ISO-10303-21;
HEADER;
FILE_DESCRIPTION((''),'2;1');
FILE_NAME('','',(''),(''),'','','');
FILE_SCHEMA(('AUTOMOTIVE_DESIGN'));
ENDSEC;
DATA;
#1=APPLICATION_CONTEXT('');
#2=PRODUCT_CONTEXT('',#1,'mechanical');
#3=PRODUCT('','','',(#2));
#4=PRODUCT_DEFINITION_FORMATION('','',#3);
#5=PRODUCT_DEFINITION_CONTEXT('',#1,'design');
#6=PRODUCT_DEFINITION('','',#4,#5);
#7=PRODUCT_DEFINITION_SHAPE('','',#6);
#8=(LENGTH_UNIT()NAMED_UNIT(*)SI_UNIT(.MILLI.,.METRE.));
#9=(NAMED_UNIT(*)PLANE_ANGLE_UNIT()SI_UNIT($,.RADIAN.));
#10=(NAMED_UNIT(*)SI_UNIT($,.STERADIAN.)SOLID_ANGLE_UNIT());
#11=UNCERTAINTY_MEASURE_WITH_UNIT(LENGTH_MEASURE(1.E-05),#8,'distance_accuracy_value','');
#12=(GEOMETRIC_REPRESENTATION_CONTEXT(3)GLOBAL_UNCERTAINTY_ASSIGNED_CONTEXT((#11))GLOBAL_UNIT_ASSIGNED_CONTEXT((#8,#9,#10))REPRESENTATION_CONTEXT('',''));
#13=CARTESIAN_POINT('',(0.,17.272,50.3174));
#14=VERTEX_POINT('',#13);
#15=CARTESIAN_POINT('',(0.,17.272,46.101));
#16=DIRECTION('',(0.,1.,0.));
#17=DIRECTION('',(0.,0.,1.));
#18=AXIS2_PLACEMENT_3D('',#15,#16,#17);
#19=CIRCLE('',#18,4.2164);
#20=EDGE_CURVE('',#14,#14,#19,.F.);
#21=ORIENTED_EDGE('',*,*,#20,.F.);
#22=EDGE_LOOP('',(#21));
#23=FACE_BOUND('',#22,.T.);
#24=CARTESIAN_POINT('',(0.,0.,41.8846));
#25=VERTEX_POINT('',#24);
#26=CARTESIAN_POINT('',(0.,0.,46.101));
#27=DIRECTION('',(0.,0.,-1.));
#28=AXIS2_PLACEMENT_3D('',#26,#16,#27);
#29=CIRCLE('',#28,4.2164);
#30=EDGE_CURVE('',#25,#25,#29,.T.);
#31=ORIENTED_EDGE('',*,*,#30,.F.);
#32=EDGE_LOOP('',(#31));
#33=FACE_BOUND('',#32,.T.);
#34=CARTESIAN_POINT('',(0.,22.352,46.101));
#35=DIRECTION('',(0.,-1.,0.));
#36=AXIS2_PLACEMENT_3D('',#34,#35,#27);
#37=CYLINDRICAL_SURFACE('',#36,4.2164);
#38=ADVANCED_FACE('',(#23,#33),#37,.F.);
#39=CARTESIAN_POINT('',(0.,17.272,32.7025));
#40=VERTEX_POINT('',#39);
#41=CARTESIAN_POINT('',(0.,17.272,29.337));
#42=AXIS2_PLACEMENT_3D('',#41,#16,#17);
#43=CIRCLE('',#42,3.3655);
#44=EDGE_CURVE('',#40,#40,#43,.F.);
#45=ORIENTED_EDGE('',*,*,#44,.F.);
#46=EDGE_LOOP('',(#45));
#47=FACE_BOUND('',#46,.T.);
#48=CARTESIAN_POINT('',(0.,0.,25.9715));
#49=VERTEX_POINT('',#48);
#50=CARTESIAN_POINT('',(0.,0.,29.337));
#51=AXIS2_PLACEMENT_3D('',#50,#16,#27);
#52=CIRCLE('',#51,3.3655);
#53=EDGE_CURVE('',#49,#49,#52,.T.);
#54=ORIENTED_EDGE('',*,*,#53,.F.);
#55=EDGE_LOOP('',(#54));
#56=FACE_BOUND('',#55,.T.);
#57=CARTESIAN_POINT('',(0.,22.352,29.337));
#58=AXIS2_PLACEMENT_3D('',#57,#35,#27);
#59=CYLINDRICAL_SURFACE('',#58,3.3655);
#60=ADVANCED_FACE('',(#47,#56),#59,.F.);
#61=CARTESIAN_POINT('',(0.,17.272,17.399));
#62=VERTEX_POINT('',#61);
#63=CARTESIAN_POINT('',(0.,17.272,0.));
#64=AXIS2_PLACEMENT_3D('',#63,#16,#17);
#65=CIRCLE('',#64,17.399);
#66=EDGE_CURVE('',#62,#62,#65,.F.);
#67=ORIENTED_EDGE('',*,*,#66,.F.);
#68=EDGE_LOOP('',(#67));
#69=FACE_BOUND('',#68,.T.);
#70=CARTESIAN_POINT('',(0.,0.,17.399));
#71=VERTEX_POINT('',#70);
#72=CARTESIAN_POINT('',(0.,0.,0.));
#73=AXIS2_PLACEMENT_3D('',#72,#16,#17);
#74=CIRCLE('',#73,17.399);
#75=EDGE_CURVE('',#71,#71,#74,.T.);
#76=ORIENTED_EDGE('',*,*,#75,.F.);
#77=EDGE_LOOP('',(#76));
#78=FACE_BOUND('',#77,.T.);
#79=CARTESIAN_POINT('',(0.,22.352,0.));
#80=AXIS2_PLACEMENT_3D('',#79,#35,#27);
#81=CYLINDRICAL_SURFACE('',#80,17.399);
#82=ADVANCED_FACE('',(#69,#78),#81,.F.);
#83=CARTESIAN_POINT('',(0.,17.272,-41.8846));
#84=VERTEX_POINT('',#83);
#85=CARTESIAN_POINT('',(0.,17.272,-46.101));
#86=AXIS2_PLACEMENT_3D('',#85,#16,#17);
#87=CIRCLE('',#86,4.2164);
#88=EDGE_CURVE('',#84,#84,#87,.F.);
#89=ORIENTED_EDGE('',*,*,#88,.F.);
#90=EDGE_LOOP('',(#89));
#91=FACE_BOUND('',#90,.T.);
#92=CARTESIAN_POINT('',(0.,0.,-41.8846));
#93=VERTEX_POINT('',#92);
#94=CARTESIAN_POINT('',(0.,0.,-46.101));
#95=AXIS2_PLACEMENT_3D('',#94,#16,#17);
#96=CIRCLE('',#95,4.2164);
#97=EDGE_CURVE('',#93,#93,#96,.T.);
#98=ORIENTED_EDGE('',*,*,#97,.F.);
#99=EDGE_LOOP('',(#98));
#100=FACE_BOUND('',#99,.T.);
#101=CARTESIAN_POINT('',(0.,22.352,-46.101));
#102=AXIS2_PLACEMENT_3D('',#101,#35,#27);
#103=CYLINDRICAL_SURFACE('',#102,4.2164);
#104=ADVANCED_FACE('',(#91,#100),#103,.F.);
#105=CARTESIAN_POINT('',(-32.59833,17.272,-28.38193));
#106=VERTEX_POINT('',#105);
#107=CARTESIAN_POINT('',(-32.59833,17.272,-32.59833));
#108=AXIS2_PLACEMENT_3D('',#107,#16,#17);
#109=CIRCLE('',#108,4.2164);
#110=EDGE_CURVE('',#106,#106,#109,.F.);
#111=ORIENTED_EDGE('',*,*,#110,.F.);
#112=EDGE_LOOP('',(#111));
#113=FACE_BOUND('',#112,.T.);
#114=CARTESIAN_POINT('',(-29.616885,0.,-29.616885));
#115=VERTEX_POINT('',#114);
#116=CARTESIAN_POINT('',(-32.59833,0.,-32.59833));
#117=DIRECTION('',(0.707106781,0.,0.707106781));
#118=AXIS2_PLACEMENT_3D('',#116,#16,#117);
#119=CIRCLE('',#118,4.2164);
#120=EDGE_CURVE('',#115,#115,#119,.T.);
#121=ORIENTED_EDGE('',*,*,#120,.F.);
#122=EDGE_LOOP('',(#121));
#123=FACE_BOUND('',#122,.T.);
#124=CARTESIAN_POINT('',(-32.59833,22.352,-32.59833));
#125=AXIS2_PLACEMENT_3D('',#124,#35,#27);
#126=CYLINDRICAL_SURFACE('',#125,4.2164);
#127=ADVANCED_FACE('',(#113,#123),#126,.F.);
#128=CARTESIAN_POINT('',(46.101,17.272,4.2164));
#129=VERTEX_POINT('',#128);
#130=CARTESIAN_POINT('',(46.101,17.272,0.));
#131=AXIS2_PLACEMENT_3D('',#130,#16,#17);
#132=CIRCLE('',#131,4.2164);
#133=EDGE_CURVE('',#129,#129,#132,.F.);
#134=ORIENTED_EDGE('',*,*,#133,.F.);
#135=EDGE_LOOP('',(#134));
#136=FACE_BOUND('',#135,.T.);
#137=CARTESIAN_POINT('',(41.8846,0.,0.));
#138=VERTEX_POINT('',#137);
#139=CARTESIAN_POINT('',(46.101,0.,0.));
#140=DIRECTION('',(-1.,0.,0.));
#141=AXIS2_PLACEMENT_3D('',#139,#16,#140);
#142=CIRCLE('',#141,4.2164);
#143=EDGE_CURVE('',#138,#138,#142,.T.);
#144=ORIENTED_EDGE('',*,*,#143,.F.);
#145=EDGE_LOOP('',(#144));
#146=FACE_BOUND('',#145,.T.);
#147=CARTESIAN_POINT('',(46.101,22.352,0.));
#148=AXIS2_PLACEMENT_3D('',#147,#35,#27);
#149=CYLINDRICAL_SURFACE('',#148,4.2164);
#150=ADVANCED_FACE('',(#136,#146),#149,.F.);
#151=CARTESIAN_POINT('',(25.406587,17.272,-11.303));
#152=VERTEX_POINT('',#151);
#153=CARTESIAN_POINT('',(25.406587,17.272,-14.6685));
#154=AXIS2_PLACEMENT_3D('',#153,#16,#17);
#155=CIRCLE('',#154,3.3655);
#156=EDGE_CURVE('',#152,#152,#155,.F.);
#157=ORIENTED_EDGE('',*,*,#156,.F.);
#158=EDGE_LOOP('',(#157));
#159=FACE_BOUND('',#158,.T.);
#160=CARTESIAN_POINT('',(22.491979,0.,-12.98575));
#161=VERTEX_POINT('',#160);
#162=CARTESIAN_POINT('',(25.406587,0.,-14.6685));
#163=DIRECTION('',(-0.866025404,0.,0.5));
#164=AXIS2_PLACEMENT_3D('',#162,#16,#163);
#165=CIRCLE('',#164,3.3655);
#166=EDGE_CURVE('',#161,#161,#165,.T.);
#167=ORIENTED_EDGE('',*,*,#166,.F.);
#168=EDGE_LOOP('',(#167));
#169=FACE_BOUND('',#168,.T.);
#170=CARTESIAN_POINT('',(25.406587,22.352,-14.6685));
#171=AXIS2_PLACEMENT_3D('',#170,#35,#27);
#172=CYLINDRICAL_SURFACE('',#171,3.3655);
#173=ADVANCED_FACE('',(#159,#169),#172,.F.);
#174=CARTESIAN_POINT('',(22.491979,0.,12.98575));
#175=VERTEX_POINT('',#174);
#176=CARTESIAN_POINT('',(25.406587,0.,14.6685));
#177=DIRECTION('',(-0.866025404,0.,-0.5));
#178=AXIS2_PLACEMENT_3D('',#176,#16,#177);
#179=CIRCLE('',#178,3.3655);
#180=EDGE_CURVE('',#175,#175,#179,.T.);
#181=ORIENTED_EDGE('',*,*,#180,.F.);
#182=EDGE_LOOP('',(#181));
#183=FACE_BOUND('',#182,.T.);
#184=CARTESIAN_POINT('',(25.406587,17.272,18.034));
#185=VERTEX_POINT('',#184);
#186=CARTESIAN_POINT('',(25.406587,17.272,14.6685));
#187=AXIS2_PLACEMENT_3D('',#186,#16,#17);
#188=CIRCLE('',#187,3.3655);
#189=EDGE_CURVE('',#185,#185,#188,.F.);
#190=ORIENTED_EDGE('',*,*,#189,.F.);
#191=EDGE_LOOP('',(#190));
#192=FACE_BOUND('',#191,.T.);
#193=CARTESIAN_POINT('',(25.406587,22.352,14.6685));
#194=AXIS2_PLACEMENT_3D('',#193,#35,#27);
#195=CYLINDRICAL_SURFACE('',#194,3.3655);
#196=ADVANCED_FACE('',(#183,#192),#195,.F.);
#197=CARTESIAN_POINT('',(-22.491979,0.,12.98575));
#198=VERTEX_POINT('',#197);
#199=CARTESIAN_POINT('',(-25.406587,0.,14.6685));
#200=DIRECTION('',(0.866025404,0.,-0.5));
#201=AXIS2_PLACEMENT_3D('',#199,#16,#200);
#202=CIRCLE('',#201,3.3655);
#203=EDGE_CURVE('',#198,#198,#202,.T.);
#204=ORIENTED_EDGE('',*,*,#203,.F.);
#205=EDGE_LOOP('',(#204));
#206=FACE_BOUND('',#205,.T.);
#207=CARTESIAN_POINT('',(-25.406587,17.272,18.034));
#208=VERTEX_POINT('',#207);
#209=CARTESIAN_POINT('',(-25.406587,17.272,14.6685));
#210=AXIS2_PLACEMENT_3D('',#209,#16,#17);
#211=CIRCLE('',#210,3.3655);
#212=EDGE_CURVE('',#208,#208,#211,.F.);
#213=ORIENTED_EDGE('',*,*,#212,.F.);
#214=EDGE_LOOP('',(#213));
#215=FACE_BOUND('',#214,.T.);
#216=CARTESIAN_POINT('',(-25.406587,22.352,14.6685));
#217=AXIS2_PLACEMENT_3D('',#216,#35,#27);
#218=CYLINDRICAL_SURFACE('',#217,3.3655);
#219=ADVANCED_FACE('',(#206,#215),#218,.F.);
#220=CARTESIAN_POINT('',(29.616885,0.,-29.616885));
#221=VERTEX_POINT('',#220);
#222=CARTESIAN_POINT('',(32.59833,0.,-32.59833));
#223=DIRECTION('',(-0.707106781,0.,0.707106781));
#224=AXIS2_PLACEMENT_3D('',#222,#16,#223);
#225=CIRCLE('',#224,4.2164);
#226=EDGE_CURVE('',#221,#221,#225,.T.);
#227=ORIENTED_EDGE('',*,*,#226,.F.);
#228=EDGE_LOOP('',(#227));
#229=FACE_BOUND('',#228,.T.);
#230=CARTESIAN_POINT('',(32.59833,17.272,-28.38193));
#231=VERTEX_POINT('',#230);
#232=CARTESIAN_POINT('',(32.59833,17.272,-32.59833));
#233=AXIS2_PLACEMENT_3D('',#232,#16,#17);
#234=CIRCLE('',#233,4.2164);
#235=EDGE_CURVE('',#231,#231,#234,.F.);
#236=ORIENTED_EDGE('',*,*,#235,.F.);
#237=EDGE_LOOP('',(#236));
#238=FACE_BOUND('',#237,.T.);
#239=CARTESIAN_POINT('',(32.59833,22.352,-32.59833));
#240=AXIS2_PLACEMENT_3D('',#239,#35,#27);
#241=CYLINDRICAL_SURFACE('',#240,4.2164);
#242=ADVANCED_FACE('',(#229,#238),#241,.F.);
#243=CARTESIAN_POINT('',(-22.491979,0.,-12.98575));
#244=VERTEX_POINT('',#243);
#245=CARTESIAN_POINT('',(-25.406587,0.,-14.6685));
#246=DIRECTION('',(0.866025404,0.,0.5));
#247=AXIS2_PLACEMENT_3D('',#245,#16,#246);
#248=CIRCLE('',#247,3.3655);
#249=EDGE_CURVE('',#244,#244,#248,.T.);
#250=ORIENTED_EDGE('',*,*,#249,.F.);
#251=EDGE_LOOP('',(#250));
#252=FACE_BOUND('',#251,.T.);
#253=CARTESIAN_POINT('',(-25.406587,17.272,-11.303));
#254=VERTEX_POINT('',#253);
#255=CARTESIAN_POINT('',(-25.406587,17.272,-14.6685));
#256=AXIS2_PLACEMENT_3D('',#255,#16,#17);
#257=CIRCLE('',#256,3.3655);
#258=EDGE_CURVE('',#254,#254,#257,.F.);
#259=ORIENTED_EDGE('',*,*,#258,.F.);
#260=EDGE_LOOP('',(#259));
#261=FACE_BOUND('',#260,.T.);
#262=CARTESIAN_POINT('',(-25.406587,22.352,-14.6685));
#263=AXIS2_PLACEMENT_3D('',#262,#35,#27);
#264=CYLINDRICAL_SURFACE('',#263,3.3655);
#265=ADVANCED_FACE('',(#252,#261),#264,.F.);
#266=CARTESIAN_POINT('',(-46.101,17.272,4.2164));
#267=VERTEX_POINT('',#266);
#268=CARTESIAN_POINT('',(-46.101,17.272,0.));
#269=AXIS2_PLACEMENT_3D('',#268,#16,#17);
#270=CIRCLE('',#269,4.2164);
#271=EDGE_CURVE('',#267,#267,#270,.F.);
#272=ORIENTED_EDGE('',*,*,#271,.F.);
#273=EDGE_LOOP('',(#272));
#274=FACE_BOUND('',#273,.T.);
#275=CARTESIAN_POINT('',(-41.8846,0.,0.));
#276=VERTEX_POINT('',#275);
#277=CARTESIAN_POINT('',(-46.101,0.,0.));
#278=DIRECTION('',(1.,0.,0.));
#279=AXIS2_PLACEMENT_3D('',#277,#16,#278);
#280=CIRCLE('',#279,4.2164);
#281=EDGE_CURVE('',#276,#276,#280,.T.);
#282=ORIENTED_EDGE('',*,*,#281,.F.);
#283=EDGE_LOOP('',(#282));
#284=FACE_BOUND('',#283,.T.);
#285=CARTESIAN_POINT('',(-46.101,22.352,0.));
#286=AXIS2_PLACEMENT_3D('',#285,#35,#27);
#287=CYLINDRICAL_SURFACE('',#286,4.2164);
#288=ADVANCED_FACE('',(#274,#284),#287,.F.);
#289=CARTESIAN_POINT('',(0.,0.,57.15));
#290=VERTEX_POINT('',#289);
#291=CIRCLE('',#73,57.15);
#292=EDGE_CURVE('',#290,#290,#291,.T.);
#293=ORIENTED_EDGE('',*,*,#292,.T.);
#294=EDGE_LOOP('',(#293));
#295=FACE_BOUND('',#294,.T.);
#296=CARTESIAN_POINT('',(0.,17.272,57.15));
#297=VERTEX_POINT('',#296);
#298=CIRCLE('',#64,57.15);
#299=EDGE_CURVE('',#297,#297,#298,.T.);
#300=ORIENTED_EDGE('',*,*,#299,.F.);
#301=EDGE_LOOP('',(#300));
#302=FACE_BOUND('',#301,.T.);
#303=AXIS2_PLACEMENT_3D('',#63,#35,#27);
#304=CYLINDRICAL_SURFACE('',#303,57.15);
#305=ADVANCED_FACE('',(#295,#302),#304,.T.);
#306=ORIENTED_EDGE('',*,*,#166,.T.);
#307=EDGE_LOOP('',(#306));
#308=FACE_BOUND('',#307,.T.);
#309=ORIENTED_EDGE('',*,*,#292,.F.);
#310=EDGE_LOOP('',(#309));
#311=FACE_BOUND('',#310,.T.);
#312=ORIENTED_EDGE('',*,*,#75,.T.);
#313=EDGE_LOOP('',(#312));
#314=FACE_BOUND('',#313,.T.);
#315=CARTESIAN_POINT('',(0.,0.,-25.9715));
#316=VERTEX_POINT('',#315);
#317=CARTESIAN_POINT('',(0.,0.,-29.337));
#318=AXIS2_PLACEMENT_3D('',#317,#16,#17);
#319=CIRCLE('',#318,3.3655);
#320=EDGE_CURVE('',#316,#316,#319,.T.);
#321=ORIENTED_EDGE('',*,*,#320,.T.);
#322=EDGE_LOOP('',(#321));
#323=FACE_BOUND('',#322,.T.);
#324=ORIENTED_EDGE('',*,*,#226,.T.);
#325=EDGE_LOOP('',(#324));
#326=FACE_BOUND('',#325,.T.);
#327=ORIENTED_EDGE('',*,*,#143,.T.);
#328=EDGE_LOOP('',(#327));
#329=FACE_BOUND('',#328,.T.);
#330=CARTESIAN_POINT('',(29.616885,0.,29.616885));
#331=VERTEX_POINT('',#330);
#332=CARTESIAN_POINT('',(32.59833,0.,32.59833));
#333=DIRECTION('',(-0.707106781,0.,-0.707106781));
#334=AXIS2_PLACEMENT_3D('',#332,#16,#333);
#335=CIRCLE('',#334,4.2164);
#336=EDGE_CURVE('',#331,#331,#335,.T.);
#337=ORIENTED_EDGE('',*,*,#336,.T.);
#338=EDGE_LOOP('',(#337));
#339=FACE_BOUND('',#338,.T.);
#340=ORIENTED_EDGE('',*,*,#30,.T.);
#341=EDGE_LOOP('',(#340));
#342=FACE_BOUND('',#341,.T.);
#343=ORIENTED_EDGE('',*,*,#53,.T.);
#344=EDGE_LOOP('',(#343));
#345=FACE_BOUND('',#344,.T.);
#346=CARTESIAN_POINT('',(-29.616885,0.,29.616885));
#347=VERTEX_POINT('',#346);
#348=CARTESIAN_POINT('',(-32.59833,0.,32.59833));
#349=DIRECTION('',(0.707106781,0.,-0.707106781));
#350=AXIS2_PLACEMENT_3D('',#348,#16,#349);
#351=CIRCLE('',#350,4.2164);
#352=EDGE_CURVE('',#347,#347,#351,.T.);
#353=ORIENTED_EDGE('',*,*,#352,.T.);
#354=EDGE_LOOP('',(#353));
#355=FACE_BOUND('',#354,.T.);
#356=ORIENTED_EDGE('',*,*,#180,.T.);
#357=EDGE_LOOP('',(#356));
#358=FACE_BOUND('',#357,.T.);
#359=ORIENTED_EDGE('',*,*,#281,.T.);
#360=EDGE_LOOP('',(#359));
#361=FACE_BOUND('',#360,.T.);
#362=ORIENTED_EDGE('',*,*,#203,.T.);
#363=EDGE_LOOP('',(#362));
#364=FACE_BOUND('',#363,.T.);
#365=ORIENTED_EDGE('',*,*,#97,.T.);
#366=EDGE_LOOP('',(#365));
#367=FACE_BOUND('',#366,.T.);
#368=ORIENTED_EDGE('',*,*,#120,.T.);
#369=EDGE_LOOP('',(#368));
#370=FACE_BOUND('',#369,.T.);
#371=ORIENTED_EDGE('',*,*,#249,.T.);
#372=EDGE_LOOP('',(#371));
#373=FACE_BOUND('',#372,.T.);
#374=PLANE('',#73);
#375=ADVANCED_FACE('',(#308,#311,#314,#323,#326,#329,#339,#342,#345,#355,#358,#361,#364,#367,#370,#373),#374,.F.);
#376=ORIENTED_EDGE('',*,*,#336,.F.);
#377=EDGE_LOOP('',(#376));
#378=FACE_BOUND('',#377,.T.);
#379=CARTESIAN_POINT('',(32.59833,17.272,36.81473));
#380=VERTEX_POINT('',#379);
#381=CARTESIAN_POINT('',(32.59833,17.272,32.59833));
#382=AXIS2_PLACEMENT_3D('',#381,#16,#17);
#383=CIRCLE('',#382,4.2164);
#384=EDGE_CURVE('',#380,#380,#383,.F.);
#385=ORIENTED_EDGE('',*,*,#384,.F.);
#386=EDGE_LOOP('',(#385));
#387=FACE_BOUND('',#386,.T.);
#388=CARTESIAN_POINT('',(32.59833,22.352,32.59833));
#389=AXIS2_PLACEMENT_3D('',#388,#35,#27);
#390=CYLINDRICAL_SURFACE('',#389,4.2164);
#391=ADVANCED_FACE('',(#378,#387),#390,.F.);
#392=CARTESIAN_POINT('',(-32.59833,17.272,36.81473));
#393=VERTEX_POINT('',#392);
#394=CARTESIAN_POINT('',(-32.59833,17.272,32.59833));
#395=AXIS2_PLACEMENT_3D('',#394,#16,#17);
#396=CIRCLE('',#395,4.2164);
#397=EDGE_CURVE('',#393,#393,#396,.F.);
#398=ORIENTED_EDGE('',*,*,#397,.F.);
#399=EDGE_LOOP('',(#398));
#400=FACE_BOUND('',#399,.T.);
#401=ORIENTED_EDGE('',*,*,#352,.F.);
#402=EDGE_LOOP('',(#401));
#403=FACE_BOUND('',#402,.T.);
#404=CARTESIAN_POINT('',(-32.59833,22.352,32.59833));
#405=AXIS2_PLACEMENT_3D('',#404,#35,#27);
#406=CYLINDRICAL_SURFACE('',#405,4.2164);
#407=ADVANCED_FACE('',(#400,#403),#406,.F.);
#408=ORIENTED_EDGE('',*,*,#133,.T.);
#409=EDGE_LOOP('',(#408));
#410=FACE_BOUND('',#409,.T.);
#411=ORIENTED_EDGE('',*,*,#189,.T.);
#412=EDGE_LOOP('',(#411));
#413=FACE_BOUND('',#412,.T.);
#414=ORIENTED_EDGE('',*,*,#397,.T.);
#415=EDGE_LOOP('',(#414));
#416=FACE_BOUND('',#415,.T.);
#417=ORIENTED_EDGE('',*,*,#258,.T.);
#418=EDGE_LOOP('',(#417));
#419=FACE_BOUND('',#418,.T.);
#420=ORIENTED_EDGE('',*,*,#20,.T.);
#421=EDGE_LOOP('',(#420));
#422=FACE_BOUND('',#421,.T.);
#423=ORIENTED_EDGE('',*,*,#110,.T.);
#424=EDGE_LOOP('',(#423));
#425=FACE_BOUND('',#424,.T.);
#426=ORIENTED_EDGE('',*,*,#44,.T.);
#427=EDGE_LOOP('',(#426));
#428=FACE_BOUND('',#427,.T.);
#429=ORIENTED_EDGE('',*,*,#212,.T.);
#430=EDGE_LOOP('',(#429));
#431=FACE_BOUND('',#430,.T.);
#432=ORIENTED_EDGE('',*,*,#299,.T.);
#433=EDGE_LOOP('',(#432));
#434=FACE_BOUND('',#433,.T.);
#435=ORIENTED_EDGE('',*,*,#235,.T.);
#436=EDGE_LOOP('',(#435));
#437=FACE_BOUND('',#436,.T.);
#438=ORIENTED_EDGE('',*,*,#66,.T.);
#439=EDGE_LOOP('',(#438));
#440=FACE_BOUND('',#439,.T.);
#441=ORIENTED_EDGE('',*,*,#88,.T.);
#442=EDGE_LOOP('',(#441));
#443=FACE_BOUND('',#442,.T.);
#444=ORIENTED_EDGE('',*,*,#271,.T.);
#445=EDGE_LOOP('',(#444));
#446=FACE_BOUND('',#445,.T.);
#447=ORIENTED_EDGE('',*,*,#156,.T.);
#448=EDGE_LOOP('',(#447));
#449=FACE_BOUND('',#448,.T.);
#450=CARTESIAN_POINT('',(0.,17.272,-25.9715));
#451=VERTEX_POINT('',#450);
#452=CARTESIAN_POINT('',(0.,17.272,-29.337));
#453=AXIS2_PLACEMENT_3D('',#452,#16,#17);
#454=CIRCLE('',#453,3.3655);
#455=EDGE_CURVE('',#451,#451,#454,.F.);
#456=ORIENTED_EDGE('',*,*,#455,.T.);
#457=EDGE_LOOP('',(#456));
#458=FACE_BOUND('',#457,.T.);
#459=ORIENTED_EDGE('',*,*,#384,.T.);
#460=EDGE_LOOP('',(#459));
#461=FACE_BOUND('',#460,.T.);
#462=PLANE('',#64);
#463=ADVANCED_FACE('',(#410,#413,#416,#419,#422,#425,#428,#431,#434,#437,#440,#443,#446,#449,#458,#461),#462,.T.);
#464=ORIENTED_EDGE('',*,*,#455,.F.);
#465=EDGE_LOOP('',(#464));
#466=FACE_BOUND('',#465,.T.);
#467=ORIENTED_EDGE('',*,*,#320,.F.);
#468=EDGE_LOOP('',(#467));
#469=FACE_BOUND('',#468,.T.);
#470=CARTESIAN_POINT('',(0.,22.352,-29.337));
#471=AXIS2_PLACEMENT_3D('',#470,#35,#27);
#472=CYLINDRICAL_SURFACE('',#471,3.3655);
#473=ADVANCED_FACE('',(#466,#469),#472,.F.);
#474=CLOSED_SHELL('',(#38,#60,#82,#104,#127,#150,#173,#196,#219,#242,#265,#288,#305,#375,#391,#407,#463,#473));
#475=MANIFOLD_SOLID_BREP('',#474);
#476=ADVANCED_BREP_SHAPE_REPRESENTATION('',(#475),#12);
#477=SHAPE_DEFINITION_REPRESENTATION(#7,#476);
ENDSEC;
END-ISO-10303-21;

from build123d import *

# Parameters (mm, degrees)
SKETCH1_R          = 57.15
EXTRUDE1_DEPTH     = 17.272
SKETCH2_R          = 17.399
CUT_EXTRUDE1_DEPTH = 22.352
SKETCH3_R          = 3.3655
CUT_EXTRUDE3_DEPTH = 22.352
CIRPATTERN1_COUNT  = 6
SKETCH4_R          = 4.2164
CUT_EXTRUDE4_DEPTH = 22.352
CIRPATTERN2_COUNT  = 8


with BuildPart() as part:
    # Sketch1 → Extrude1 (new body)
    with BuildSketch(Plane(origin=(0, 0, 0), x_dir=(1, 0, 0), z_dir=(0, 1, 0))):
        Circle(SKETCH1_R)
    extrude(amount=EXTRUDE1_DEPTH)

    # Sketch2 → Cut-Extrude1 (cut)
    with BuildSketch(Plane(origin=(0, 0, 0), x_dir=(1, 0, 0), z_dir=(0, 1, 0))):
        Circle(SKETCH2_R)
    extrude(amount=CUT_EXTRUDE1_DEPTH, mode=Mode.SUBTRACT)

    # Sketch3 → Cut-Extrude3 (cut)
    with BuildSketch(Plane(origin=(0, 0, 0), x_dir=(1, 0, 0), z_dir=(0, 1, 0))):
        with Locations((0, 29.337)):
            Circle(SKETCH3_R)
    cut_extrude3 = extrude(amount=CUT_EXTRUDE3_DEPTH, mode=Mode.SUBTRACT)

    # CirPattern1: Cut-Extrude3 ×6 about axis
    cirpattern1_axis = Axis((0, 103.923475146, 0), (0, -1, 0))
    for i in range(1, CIRPATTERN1_COUNT):
        add(cut_extrude3.rotate(cirpattern1_axis, i * 360 / CIRPATTERN1_COUNT), mode=Mode.SUBTRACT)

    # Sketch4 → Cut-Extrude4 (cut)
    with BuildSketch(Plane(origin=(0, 0, 0), x_dir=(1, 0, 0), z_dir=(0, 1, 0))):
        with Locations((0, 46.101)):
            Circle(SKETCH4_R)
    cut_extrude4 = extrude(amount=CUT_EXTRUDE4_DEPTH, mode=Mode.SUBTRACT)

    # CirPattern2: Cut-Extrude4 ×8 about axis
    cirpattern2_axis = Axis((0, 103.923475146, 0), (0, -1, 0))
    for i in range(1, CIRPATTERN2_COUNT):
        add(cut_extrude4.rotate(cirpattern2_axis, i * 360 / CIRPATTERN2_COUNT), mode=Mode.SUBTRACT)


solid = part.part
